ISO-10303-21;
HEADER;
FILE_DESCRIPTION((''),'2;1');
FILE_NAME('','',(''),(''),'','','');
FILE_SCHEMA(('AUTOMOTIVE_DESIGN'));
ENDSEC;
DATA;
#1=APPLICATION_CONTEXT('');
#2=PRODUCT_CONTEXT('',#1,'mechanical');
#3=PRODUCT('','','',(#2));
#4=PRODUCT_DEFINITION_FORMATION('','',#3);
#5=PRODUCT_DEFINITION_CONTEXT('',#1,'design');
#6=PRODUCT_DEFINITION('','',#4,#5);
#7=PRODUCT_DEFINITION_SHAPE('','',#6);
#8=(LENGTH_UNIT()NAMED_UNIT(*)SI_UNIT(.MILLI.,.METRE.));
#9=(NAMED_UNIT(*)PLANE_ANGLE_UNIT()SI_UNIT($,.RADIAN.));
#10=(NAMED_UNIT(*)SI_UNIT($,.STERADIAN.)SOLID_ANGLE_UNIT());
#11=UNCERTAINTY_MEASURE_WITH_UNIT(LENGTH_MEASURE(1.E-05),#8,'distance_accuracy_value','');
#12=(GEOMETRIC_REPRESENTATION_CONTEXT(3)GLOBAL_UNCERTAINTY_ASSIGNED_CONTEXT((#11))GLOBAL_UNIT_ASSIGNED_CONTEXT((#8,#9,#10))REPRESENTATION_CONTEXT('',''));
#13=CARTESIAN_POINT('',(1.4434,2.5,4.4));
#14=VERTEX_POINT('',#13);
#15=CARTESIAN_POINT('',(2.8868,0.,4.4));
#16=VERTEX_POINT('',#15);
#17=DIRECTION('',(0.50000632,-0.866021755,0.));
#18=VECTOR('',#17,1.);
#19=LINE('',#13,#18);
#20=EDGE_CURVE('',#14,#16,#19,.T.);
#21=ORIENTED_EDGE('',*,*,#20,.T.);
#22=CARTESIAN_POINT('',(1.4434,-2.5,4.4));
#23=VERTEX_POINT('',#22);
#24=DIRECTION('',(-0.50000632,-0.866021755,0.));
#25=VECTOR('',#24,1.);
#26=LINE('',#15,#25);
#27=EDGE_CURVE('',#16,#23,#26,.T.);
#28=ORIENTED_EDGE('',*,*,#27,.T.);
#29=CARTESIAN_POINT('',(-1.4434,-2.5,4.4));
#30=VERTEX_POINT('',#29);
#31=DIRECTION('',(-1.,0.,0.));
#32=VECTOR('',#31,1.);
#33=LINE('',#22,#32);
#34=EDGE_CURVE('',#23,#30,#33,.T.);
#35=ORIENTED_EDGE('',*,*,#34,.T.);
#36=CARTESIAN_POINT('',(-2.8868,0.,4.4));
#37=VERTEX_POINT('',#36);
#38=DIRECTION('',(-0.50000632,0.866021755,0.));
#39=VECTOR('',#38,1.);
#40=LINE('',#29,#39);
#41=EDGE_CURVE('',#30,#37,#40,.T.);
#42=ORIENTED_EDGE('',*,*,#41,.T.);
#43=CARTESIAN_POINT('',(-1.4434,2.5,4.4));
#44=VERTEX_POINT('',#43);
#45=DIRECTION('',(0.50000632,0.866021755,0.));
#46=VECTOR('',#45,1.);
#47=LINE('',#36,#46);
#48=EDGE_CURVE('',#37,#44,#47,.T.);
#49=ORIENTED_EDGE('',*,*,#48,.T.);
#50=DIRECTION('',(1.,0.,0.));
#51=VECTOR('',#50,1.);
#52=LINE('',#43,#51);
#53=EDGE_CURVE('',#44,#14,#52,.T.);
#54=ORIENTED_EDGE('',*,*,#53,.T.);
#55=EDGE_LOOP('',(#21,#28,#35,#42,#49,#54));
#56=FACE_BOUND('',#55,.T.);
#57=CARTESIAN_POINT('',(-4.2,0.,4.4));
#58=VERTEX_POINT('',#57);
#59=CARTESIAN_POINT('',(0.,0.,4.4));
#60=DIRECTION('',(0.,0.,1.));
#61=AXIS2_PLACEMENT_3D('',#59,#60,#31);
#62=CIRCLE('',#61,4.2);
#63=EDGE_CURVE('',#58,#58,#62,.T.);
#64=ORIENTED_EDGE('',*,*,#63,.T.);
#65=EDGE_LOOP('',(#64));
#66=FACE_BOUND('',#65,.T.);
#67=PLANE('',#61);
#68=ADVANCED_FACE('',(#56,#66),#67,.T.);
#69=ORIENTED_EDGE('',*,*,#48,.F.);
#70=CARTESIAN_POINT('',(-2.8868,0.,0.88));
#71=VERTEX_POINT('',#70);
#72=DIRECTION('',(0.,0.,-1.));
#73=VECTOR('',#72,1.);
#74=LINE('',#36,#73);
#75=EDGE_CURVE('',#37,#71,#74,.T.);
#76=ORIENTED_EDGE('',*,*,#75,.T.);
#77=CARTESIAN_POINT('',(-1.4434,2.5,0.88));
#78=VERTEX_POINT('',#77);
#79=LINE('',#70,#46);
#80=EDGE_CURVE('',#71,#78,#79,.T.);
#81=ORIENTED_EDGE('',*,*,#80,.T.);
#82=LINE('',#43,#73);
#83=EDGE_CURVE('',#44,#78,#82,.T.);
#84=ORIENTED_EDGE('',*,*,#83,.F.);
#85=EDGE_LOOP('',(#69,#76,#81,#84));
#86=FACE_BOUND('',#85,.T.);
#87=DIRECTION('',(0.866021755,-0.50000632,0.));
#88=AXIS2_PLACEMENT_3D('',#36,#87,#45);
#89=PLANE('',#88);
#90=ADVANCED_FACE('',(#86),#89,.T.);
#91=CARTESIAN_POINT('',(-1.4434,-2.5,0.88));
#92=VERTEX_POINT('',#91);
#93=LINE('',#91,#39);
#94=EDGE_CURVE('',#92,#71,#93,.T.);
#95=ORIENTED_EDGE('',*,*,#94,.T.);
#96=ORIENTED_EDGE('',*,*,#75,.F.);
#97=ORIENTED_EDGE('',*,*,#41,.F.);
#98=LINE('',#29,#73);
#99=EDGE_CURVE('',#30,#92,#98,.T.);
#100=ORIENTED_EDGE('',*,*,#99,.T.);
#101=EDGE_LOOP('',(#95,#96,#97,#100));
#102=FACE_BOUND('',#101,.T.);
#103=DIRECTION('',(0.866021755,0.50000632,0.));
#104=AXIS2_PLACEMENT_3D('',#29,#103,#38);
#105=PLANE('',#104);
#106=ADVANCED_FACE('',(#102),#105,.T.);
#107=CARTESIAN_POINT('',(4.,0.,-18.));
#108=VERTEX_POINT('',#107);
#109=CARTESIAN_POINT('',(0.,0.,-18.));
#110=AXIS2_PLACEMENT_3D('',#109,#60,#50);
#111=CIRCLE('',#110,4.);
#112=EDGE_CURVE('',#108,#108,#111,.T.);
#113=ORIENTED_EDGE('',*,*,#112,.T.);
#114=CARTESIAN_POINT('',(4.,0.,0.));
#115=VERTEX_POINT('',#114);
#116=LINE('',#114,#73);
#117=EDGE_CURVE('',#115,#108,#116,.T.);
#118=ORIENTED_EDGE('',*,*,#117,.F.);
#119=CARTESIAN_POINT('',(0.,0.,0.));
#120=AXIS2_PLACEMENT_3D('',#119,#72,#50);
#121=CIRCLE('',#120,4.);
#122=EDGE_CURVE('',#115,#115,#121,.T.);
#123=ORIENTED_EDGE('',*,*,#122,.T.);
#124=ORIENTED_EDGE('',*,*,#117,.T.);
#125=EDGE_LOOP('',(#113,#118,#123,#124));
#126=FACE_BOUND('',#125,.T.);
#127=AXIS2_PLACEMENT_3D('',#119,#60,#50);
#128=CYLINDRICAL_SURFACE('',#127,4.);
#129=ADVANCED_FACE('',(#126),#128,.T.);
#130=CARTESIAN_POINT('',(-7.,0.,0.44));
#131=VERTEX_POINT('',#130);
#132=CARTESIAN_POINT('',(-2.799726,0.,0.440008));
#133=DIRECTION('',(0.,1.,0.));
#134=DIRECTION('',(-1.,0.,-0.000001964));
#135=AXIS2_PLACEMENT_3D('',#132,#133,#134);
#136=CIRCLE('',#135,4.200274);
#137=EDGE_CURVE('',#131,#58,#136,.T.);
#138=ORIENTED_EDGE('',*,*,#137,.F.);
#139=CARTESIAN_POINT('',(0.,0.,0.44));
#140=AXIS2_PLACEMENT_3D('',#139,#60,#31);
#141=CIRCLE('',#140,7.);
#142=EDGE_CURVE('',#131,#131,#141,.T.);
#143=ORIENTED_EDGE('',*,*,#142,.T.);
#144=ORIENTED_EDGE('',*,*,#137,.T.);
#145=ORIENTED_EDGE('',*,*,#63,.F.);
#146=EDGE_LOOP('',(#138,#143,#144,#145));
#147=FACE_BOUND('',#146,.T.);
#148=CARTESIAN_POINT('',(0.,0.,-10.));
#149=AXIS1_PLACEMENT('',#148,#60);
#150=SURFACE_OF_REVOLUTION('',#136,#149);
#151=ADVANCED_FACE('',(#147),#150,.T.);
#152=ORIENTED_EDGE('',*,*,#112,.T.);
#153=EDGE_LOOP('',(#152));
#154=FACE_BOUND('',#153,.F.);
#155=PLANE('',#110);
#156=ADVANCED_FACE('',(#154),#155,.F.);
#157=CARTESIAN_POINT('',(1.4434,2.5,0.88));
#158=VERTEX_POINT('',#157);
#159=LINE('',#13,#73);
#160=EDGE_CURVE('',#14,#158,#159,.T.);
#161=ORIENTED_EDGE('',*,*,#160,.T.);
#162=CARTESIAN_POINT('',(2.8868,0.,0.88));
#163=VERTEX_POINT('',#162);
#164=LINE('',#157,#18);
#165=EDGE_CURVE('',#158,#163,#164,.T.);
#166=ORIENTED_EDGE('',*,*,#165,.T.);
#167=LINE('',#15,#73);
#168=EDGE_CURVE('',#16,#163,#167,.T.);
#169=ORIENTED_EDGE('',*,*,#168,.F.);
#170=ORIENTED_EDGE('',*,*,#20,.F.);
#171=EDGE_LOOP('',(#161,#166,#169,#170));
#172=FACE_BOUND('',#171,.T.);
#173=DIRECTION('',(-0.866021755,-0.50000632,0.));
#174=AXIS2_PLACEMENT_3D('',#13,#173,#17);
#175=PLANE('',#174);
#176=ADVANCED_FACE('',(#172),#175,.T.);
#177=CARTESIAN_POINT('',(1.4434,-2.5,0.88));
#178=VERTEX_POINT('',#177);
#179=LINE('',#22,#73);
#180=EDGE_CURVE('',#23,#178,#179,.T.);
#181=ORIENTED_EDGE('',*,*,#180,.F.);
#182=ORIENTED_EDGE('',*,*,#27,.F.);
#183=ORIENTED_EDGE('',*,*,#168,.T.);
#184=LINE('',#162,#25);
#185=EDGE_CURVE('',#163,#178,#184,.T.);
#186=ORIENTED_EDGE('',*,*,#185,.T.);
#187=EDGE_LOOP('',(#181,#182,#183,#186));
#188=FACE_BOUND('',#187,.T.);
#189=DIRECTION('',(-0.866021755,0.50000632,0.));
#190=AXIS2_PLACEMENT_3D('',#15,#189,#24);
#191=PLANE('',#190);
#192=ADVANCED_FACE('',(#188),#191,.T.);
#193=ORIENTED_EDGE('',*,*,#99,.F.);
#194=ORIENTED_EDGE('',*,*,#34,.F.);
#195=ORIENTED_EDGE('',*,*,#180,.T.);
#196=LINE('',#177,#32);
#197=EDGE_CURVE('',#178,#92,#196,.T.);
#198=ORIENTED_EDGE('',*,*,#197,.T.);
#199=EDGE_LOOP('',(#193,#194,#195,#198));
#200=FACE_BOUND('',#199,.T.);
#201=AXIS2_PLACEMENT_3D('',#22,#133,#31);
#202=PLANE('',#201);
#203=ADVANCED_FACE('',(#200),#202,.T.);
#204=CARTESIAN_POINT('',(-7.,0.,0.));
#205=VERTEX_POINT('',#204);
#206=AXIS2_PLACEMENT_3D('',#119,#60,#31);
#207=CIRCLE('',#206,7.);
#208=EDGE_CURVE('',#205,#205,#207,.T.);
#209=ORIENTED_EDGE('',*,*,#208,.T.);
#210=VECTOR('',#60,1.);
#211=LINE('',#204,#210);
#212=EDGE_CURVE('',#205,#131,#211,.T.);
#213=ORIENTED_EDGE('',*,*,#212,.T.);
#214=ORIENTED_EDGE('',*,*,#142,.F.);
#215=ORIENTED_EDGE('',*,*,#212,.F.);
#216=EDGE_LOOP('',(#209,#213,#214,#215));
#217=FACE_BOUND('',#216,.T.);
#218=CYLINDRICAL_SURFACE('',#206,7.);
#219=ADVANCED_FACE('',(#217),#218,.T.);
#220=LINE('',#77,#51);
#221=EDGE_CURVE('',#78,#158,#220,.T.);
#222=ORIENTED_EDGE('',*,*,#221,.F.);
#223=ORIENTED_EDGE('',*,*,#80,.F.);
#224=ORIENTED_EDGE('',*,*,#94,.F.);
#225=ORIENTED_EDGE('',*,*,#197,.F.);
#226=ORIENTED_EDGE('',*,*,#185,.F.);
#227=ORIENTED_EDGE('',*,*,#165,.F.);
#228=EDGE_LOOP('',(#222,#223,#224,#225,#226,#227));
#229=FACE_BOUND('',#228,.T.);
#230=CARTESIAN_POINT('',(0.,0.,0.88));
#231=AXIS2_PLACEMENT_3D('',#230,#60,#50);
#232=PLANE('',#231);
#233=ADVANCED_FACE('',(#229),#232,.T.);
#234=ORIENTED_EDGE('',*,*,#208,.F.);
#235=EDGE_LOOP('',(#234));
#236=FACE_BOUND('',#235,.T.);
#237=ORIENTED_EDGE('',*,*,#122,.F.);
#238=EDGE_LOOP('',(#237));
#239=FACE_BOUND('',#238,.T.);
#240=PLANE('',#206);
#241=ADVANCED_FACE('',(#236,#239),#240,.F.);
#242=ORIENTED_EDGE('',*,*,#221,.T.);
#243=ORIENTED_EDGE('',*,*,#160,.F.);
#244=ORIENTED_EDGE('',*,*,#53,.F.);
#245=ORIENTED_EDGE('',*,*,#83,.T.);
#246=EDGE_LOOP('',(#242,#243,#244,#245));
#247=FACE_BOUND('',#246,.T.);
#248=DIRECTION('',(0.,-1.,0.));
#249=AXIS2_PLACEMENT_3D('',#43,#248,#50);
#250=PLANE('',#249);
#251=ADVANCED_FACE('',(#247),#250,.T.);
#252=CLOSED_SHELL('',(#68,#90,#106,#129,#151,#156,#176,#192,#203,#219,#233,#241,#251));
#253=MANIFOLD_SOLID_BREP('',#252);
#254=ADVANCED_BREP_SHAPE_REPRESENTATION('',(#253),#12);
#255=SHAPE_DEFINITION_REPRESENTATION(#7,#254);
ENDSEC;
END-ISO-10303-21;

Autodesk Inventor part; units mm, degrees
ref_plane "YZ Plane" through (0, 0, 0) normal (1, 0, 0) x (0, 1, 0)
ref_plane "XZ Plane" through (0, 0, 0) normal (0, 1, 0) x (-1, 0, 0)
sketch "Sketch1" plane through (0, 0, 0) normal (0, 0, 1) x (1, 0, 0)
  circle A0 centre (0, 0) radius 4
  dimension "Dia" = 8
extrude "Base" add sketch "Sketch1" against normal blind 18
ref_plane "Hex Key Sketch Plane" through (0, 0, 4.4) normal (0, 0, 1) x (1, 0, 0)
sketch "Sketch2" plane through (0, 0, 0) normal (0, 1, 0) x (-1, 0, 0)
  line L0 (0, -0.969) -> (0, 5.8139) projected
  line L1 (-4, 0) -> (4, 0) projected
  line L2 (0, 0) -> (7, 0)
  line L3 (7, 0) -> (7, 0.44)
  arc A0 (7, 0.44) -> (4.2, 4.4) centre (2.7997, 0.44) ccw
  line L4 (4.2, 4.4) -> (0, 4.4)
  line L5 (0, 4.4) -> (0, 0)
  dimension "d3" = 4.4
  dimension "d4" = 0.44
  dimension "d5" = 14
  dimension "d6" = 2.8
revolve "Button Head" add sketch "Sketch2" angle 360 about axis through (0, 0, -10) along (0, 0, 1)
sketch "Sketch4" plane through (0, 0, 0) normal (0, 1, 0) x (-1, 0, 0)
  line L0 (0, -0.88) -> (0, 5.28) projected
  line L1 (-4, 0) -> (4, 0) projected
  line L2 (0, 0) -> (7, 0)
  line L3 (7, 0) -> (7, 4.4)
  line L4 (7, 4.4) -> (0, 4.4)
  line L5 (0, 4.4) -> (0, 0)
  dimension "d13" = 4.4
  dimension "d14" = 14
revolve "Cap Head" [suppressed]
sketch "Sketch3" plane through (0, 0, 0) normal (0, 1, 0) x (-1, 0, 0)
  line L0 (0, -21.6) -> (0, 3.6) projected
  line L1 (-4, 0) -> (4, 0) projected
  line L2 (4, 0) -> (4, -18) projected
  line L3 (0, 0) -> (7, 0)
  line L4 (7, 0) -> (7, -0.44)
  line L5 (7, -0.44) -> (4, -4.4)
  line L6 (4, -4.4) -> (0, -4.4)
  line L7 (0, 0) -> (0, -4.4)
  dimension "d9" = 4.4
  dimension "d10" = 14
  dimension "d11" = 0.44
revolve "Flat Head" [suppressed]
sketch "Sketch5" plane through (0, 0, 4.4) normal (0, 0, 1) x (1, 0, 0)
  line L0 (1.4434, 2.5) -> (2.8868, 0)
  line L1 (2.8868, 0) -> (1.4434, -2.5)
  line L2 (1.4434, -2.5) -> (-1.4434, -2.5)
  line L3 (-1.4434, -2.5) -> (-2.8868, 0)
  line L4 (-2.8868, 0) -> (-1.4434, 2.5)
  line L5 (-1.4434, 2.5) -> (1.4434, 2.5)
  point P0 (0, 0)
  point P1 (0, 0)
  dimension "d16" = 5
extrude "Hex Socket" cut sketch "Sketch5" against normal blind 3.52
thread "Thread1" size "M8x1.25" class "6g" standard "ANSI Metric M Profile" full length
equation "\"d3\" = H_K"
equation "\"d4\" = 0.1 * H_K"
equation "\"d5\" = Dk"
equation "\"d6\" = 0.2 * Dk"
equation "\"d13\" = H_K"
equation "\"d14\" = Dk"
equation "\"d9\" = H_K"
equation "\"d10\" = Dk"
equation "\"d11\" = 0.1 * H_K"
equation "\"d16\" = H_S"
equation "\"d17\" = 0.8 * H_K"
equation "\"Dk\" = 14"
equation "\"H_K\" = 4.4"
equation "\"H_S\" = 5"
equation "\"HexStartHeight\" = H_K"
properties part number "24-118-8" material "Steel, High Strength Low Alloy"
